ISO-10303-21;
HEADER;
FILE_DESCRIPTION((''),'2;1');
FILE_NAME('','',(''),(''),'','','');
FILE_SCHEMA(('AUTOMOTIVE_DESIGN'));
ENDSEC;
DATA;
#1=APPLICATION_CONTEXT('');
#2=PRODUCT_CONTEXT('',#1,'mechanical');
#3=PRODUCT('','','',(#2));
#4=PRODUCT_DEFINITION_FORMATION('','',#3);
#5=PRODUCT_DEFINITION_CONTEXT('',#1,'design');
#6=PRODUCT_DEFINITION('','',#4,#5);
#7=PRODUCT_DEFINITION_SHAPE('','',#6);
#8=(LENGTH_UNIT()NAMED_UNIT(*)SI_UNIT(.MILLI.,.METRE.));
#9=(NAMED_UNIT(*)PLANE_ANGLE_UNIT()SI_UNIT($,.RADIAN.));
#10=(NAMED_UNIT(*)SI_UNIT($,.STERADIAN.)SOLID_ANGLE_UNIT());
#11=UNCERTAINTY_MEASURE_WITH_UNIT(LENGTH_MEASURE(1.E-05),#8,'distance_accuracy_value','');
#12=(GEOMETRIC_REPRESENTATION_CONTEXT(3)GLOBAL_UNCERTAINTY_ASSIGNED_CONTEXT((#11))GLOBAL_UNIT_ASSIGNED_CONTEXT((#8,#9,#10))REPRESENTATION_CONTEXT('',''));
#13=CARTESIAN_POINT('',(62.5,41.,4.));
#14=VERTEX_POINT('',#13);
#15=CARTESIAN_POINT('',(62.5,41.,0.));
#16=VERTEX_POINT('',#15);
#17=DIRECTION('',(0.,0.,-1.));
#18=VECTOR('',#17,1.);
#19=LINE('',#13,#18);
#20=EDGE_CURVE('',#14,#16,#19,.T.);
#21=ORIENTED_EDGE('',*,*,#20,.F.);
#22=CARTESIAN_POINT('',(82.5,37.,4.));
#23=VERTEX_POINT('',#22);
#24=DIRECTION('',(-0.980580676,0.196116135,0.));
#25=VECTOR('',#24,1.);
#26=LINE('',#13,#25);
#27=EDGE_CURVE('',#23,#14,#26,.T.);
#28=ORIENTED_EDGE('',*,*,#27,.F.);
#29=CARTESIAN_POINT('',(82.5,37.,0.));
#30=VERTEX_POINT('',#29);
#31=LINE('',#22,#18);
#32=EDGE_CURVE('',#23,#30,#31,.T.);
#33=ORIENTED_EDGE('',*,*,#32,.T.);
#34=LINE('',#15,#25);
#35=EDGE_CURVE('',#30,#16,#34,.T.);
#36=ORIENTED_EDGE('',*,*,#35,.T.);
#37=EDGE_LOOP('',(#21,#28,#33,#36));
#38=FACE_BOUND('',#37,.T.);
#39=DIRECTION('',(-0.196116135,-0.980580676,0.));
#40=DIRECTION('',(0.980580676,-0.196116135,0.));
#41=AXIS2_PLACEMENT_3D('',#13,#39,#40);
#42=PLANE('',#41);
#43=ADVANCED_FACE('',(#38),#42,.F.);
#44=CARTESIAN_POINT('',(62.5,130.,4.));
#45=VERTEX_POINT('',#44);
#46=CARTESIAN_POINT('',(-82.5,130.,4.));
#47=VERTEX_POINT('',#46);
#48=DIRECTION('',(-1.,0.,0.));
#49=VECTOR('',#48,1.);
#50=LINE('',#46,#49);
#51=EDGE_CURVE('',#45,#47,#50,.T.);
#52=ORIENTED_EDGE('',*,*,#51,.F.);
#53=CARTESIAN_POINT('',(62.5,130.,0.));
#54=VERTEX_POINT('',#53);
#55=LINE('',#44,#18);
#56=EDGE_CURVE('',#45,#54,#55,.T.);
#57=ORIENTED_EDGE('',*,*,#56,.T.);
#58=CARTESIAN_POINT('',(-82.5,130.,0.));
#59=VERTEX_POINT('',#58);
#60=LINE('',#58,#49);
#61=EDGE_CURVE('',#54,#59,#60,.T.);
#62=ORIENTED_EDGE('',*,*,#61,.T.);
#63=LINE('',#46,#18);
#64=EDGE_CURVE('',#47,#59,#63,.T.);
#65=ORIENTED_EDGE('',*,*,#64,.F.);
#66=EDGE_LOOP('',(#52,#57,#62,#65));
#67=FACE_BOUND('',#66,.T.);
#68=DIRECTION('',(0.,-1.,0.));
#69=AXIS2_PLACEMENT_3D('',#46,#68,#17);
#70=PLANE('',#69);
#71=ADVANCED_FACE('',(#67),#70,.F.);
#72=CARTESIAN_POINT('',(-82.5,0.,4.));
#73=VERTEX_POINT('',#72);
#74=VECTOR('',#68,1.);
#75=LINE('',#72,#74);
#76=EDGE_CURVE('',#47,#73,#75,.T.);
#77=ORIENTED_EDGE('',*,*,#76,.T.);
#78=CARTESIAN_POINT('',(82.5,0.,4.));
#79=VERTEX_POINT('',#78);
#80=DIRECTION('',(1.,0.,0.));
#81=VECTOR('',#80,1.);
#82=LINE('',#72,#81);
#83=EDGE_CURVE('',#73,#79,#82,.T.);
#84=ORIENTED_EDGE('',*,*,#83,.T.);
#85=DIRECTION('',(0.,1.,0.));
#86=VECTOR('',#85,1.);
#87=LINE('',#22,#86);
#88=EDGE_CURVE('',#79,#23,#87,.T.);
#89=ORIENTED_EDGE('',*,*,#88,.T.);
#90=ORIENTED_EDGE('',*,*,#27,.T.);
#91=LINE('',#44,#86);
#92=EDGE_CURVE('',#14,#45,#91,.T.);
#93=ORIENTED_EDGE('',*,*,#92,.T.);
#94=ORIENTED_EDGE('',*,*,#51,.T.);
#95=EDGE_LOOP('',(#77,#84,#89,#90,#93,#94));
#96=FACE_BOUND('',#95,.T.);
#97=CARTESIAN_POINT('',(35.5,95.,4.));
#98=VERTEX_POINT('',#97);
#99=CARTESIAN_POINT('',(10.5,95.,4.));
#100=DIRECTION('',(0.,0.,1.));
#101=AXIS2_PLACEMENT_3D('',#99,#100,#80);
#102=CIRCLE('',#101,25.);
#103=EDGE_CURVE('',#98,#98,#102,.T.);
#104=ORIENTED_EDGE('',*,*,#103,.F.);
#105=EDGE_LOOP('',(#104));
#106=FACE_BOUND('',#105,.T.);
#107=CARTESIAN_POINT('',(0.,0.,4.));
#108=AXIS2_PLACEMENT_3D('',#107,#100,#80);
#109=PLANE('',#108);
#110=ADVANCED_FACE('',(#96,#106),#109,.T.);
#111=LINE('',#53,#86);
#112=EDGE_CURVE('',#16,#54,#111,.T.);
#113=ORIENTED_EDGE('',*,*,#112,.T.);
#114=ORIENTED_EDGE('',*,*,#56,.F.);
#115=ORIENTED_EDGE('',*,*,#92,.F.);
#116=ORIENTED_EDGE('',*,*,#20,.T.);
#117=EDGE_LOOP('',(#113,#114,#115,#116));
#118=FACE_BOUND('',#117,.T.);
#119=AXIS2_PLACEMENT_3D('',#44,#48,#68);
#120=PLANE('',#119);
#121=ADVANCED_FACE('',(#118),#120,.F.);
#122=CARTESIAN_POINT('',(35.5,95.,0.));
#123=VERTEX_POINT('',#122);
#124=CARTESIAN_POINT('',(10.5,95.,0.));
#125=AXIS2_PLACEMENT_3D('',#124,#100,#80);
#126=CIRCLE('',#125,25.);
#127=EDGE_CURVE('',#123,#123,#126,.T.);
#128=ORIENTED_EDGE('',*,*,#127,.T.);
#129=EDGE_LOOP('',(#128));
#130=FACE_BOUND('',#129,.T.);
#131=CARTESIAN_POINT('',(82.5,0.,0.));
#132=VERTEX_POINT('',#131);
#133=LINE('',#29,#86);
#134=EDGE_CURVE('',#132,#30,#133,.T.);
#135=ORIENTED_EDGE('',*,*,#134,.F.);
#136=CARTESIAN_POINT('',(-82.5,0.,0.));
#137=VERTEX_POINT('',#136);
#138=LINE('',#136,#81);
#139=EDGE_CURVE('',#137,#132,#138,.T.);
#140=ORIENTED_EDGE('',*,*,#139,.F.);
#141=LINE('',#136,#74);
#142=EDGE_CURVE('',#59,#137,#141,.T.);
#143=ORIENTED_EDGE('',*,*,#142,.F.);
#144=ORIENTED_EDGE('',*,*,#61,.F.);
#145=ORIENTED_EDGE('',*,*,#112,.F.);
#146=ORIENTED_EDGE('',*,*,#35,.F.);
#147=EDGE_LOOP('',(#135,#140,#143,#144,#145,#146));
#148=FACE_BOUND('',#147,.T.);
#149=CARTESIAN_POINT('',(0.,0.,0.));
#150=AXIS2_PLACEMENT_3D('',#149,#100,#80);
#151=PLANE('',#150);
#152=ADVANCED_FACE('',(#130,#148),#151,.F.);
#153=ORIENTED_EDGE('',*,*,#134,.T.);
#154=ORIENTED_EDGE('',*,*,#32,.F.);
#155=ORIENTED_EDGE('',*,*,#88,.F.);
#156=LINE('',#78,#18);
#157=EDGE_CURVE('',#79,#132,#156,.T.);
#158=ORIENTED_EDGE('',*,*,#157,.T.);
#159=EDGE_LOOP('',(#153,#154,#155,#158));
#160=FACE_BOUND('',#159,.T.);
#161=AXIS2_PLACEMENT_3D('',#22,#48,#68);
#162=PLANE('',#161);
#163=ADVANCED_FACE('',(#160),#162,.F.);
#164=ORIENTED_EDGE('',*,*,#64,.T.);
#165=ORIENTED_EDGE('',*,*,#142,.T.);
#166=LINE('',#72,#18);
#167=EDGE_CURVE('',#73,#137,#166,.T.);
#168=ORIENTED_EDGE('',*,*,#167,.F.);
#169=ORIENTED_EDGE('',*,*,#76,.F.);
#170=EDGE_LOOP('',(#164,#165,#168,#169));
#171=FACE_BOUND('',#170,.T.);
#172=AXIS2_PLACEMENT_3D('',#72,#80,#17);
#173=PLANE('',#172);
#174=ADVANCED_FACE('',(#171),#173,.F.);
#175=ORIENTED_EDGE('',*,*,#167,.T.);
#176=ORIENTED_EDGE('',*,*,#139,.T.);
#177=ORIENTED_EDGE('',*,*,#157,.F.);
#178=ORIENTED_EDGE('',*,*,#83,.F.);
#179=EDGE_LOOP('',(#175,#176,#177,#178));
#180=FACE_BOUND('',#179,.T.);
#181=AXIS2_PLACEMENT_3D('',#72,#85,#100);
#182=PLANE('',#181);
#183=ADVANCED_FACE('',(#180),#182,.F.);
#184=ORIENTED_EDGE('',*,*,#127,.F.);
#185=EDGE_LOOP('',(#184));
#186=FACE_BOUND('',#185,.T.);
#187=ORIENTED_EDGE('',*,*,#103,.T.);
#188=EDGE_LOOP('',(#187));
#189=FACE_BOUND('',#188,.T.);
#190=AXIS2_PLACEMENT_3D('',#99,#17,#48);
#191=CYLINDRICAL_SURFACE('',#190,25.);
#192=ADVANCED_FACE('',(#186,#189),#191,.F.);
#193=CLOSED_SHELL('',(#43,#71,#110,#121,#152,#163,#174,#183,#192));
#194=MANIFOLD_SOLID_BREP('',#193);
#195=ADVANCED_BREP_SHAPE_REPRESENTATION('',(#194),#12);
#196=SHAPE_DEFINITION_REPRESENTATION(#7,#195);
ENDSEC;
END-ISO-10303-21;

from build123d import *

# Parameters (mm, degrees)
SKETCH1_R           = 25
BOSS_EXTRUDE1_DEPTH = 4


with BuildPart() as part:
    # Sketch1 → Boss-Extrude1 (new body)
    with BuildSketch(Plane.XY):
        Polygon((-82.5, 0), (82.5, 0), (82.5, 37), (62.5, 41), (62.5, 130), (-82.5, 130), align=None)
        with Locations((10.5, 95)):
            Circle(SKETCH1_R, mode=Mode.SUBTRACT)
    extrude(amount=BOSS_EXTRUDE1_DEPTH)


solid = part.part
